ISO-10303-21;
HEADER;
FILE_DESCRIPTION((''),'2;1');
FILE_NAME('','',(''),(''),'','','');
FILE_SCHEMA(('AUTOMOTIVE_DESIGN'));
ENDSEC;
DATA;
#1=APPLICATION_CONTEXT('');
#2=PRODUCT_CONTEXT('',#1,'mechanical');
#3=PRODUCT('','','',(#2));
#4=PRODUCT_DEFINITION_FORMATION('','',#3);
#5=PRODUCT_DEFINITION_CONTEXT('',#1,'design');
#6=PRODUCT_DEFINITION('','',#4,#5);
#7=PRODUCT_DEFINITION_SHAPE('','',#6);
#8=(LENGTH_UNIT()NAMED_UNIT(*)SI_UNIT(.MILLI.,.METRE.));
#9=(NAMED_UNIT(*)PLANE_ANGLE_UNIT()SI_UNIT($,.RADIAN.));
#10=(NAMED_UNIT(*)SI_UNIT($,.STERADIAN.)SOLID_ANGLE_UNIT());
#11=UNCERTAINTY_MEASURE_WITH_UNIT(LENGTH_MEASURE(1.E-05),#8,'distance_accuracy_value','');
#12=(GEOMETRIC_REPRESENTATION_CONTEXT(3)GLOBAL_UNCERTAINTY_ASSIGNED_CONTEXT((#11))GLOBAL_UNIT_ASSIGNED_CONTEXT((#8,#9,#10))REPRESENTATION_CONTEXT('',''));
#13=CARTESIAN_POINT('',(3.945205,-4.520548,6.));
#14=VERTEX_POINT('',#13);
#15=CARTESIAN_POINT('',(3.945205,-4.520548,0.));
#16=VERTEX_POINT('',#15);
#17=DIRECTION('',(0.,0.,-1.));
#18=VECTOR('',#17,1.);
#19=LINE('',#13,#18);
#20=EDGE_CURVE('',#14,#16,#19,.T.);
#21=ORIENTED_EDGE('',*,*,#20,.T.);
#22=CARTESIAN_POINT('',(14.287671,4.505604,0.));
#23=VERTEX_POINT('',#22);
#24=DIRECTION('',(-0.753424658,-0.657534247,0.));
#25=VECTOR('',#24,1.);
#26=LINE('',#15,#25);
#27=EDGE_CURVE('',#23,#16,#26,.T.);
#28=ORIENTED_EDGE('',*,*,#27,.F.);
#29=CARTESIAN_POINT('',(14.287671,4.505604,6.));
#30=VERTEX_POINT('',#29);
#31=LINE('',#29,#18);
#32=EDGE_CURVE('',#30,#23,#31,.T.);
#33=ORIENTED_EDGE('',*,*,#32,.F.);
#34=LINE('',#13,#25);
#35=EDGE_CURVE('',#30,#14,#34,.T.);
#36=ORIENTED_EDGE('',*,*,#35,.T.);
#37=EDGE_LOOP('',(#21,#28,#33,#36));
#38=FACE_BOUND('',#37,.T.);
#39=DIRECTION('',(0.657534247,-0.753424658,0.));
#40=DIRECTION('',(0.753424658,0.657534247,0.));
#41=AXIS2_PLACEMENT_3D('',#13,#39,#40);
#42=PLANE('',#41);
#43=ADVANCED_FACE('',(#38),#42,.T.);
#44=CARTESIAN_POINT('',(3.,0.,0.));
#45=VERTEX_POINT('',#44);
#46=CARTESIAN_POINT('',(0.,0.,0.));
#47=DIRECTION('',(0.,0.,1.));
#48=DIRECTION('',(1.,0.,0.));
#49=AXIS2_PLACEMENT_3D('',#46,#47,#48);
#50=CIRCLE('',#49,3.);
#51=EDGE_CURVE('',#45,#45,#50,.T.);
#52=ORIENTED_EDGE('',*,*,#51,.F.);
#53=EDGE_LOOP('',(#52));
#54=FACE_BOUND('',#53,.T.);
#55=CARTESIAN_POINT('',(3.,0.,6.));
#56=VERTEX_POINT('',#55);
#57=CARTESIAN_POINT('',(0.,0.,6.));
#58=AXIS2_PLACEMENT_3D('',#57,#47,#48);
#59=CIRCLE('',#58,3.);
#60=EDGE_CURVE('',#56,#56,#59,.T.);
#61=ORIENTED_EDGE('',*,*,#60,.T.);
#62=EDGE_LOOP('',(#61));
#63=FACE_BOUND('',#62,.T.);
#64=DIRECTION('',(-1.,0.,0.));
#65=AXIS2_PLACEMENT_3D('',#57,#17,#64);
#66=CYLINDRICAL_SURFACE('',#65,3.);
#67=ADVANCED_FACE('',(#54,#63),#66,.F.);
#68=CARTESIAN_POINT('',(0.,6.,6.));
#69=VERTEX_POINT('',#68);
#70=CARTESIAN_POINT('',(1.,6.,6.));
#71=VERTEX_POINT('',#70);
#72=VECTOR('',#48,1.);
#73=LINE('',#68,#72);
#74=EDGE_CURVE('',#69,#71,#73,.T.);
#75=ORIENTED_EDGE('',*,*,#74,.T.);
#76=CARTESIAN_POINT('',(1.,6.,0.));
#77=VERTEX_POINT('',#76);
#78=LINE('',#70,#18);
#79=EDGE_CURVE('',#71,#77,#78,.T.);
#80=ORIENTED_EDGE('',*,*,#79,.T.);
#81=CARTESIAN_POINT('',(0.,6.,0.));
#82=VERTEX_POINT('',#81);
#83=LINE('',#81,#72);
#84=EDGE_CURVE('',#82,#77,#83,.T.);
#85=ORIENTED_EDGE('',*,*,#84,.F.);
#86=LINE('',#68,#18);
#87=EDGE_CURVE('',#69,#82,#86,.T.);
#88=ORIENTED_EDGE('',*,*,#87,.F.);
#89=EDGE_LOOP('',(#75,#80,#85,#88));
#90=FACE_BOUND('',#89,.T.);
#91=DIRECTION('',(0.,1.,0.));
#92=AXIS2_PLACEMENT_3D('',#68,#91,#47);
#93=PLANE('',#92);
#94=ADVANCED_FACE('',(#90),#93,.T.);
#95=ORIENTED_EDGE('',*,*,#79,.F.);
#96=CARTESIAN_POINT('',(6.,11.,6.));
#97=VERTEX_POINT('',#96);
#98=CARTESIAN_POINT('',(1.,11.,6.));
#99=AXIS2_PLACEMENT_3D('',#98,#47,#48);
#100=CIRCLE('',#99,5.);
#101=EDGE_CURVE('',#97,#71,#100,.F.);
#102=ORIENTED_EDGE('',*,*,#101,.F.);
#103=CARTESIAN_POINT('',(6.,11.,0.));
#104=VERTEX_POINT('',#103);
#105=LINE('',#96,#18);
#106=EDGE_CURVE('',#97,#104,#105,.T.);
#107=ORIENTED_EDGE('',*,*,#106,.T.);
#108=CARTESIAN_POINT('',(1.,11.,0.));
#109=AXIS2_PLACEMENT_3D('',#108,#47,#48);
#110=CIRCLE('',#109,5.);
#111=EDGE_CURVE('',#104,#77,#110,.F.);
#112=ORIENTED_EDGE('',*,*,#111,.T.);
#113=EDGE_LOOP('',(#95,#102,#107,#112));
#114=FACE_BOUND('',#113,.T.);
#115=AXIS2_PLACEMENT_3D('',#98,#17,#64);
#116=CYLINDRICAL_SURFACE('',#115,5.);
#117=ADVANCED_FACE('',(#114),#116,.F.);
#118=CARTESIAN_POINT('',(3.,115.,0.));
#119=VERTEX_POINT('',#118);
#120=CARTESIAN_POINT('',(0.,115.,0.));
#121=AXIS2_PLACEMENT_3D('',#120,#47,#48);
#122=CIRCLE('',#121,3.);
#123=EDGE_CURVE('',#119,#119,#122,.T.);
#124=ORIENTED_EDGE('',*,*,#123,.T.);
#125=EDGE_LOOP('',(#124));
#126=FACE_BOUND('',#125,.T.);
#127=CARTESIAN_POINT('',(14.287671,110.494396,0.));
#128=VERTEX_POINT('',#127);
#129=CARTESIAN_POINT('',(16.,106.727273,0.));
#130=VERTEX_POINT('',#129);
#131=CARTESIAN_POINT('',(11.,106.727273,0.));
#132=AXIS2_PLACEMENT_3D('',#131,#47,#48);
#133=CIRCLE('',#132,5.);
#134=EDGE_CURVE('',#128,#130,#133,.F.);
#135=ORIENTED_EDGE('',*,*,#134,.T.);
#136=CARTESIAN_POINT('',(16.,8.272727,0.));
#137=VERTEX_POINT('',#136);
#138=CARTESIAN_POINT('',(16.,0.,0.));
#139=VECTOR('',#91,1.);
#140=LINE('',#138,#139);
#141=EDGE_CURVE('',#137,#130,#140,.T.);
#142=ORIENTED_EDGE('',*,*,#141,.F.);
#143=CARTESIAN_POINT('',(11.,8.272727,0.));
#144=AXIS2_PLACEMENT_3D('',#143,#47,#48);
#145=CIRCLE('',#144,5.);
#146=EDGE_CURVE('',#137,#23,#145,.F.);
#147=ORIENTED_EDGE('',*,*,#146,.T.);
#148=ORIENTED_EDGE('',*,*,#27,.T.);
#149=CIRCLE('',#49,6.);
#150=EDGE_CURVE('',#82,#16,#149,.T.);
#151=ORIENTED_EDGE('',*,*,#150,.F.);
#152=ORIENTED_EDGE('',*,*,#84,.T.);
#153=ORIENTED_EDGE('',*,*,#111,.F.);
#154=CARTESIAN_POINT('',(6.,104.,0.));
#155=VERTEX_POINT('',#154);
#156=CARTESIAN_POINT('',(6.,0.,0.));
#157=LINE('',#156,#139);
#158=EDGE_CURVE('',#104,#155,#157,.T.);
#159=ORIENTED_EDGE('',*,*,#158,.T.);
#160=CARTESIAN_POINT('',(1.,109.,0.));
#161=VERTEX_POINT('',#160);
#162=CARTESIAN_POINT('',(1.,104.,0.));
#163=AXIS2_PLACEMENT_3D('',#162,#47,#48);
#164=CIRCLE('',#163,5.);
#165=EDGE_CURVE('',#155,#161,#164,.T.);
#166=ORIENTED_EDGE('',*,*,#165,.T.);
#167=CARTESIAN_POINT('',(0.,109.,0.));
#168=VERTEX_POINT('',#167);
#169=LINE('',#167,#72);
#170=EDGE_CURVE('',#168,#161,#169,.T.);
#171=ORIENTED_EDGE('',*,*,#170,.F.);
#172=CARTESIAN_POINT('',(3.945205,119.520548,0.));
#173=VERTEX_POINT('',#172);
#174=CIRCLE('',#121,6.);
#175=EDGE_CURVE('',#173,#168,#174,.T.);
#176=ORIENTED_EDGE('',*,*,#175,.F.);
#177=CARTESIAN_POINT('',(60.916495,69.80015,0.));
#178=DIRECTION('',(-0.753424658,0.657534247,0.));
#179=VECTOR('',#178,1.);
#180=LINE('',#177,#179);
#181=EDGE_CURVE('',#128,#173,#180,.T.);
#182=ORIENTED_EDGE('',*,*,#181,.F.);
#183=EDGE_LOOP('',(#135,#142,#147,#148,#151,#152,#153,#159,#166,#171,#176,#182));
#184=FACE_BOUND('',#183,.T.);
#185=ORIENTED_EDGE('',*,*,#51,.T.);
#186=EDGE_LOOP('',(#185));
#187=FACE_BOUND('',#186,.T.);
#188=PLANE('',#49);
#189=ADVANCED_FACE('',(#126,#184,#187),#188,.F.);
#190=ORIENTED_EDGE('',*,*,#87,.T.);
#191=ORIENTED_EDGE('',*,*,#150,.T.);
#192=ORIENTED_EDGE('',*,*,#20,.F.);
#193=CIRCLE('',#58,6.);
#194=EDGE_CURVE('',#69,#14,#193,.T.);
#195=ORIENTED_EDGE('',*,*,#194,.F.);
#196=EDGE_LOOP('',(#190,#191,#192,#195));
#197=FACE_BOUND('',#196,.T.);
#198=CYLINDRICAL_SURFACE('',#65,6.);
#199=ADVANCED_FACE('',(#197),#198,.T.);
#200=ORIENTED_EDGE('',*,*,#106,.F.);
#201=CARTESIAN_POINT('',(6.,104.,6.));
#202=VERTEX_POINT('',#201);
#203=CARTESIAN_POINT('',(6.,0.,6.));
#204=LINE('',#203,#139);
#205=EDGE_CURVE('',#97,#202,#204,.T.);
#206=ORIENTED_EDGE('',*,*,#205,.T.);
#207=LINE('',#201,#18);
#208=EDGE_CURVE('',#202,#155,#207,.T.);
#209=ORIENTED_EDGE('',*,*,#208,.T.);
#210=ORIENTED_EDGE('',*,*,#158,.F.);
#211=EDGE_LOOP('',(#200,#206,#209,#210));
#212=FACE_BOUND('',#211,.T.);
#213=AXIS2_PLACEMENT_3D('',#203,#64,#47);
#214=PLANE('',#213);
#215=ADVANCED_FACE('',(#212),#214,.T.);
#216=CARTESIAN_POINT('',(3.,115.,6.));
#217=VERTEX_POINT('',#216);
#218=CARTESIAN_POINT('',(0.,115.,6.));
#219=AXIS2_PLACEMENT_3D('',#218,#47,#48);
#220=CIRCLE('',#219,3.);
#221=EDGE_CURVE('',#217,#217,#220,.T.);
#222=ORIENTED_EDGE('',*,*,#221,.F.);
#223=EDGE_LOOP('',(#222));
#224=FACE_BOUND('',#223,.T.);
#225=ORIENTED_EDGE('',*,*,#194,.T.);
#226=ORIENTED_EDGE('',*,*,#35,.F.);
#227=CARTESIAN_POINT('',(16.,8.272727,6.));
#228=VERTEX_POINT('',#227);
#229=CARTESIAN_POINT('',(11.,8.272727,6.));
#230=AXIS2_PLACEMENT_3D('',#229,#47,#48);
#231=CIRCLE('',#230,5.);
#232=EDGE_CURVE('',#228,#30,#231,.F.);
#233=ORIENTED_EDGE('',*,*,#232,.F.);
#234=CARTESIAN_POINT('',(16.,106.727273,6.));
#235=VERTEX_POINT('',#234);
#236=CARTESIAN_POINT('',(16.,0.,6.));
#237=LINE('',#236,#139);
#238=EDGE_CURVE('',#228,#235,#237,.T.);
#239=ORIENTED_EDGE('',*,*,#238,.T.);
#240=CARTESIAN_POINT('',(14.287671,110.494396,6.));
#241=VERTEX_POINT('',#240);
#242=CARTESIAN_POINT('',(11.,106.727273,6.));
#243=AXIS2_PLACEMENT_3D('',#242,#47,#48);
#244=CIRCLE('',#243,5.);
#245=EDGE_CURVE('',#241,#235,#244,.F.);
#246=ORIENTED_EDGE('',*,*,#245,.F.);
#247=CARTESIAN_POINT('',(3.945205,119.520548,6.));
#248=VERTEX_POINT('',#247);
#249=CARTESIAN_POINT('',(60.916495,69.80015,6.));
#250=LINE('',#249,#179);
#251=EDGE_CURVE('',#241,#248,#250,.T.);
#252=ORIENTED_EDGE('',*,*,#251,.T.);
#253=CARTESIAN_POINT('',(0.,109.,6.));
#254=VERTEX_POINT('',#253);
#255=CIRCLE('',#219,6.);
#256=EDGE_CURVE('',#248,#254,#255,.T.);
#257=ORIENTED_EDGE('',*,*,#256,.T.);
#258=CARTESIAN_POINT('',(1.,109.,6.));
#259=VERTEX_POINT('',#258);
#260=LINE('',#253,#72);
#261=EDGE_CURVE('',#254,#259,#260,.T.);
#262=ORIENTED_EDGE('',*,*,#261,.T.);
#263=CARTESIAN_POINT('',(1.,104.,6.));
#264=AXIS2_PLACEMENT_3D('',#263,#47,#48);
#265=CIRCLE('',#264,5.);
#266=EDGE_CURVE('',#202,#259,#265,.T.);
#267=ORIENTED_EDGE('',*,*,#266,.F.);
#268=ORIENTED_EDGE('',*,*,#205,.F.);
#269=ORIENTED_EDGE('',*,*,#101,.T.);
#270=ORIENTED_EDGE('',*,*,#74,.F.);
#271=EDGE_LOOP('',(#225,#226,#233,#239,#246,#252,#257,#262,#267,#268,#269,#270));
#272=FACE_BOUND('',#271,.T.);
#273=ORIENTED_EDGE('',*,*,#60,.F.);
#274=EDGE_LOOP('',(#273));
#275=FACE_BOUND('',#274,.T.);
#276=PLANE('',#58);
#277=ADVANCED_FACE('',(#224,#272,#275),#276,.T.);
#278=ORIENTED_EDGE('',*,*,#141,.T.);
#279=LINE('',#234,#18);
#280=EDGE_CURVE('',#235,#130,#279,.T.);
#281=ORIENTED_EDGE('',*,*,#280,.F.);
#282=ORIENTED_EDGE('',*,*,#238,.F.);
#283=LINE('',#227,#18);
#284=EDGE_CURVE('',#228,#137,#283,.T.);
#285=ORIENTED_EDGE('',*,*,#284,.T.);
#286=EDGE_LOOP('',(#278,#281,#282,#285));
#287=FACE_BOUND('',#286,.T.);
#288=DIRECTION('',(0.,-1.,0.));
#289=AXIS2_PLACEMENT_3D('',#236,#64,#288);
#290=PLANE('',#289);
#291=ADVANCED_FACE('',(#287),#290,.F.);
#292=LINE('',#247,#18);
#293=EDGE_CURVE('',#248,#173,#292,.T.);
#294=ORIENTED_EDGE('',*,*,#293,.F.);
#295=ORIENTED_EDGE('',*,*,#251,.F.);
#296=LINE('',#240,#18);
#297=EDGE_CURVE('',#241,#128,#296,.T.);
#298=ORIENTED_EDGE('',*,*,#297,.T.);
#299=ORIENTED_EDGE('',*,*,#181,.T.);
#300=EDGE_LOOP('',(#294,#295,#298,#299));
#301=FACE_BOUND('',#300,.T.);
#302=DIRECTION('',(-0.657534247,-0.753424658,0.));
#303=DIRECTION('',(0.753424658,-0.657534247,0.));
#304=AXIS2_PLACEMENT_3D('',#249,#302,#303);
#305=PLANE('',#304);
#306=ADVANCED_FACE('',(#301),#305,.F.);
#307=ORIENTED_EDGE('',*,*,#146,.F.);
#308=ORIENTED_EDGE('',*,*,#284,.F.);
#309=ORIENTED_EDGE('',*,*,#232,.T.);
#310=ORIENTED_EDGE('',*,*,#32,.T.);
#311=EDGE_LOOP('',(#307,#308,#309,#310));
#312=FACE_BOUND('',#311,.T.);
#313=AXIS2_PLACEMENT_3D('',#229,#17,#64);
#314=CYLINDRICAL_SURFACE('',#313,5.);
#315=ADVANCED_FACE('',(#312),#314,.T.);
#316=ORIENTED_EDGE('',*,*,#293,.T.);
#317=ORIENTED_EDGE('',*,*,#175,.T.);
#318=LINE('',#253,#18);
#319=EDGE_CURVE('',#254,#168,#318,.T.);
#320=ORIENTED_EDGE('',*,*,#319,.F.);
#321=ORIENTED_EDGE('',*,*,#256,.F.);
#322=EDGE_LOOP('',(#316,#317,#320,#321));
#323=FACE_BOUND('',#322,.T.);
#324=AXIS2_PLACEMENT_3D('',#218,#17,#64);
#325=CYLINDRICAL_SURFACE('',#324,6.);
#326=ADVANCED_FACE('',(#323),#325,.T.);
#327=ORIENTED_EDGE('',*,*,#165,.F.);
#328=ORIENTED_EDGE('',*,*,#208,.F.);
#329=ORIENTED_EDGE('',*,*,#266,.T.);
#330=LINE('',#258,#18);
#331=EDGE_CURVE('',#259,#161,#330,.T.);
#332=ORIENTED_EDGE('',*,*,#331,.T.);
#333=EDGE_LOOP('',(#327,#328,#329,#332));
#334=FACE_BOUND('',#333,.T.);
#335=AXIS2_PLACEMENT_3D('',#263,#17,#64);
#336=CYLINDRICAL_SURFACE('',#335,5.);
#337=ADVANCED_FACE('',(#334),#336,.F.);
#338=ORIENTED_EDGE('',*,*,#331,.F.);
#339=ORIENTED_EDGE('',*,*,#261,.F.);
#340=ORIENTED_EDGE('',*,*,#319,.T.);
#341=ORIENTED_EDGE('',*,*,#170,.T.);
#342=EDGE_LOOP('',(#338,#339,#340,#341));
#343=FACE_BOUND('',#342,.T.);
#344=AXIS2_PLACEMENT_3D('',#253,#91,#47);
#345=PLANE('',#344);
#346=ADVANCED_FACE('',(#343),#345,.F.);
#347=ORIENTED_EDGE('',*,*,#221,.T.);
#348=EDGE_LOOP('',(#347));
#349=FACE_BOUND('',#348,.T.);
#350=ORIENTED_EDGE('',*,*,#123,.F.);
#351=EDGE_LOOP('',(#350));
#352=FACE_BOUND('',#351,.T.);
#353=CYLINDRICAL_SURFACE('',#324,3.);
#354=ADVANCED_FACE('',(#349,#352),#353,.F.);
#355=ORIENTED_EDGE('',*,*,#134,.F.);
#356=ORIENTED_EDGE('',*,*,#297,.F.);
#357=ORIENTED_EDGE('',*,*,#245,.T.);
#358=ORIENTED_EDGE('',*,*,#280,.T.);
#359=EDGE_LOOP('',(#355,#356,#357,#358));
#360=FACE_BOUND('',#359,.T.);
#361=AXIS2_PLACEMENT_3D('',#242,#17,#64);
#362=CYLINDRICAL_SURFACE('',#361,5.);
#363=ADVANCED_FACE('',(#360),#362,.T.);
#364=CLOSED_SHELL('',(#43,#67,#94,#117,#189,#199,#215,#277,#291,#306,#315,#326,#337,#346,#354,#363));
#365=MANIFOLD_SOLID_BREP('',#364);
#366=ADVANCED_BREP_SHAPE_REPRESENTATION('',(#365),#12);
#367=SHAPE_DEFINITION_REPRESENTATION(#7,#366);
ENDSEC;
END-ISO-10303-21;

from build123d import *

# Parameters (mm, degrees)
CROQUIS1_R              = 3
CROQUIS1_R_2            = 6
SALIENTE_EXTRUIR1_DEPTH = 6


with BuildPart() as part:
    # Croquis1 → Saliente-Extruir1 (new body)
    with BuildSketch(Plane.XY):
        with BuildLine():
            ThreePointArc((0, -6), (2.10674065, -5.617975065), (3.945205479, -4.520547945))
            ThreePointArc((3.945205479, -4.520547945), (5.462198865, -2.482817666), (6, 0))
            ThreePointArc((6, 0), (4.242640687, 4.242640687), (0, 6))
            ThreePointArc((0, 6), (-4.242640687, 4.242640687), (-6, 0))
            ThreePointArc((-6, 0), (-4.242640687, -4.242640687), (0, -6))
        make_face()
        Circle(CROQUIS1_R, mode=Mode.SUBTRACT)
        with BuildLine():
            ThreePointArc((14.287671233, 4.505603985), (15.551832387, 6.203712551), (16, 8.272727273))
            Line((16, 8.272727273), (16, 106.727272727))
            ThreePointArc((16, 106.727272727), (15.551832387, 108.796287449), (14.287671233, 110.494396015))
            Line((14.287671233, 110.494396015), (3.945205479, 119.520547945))
            ThreePointArc((3.945205479, 119.520547945), (5.462198865, 117.482817666), (6, 115))
            ThreePointArc((6, 115), (4.242640687, 110.757359313), (0, 109))
            Line((0, 109), (1, 109))
            ThreePointArc((1, 109), (4.535533906, 107.535533906), (6, 104))
            Line((6, 104), (6, 11))
            ThreePointArc((6, 11), (4.535533906, 7.464466094), (1, 6))
            Line((1, 6), (0, 6))
            ThreePointArc((0, 6), (4.242640687, 4.242640687), (6, 0))
            ThreePointArc((6, 0), (5.462198865, -2.482817666), (3.945205479, -4.520547945))
            Line((3.945205479, -4.520547945), (14.287671233, 4.505603985))
        make_face()
        with Locations((0, 115)):
            Circle(CROQUIS1_R_2)
        with Locations((0, 115)):
            Circle(CROQUIS1_R, mode=Mode.SUBTRACT)
    extrude(amount=SALIENTE_EXTRUIR1_DEPTH)


solid = part.part
